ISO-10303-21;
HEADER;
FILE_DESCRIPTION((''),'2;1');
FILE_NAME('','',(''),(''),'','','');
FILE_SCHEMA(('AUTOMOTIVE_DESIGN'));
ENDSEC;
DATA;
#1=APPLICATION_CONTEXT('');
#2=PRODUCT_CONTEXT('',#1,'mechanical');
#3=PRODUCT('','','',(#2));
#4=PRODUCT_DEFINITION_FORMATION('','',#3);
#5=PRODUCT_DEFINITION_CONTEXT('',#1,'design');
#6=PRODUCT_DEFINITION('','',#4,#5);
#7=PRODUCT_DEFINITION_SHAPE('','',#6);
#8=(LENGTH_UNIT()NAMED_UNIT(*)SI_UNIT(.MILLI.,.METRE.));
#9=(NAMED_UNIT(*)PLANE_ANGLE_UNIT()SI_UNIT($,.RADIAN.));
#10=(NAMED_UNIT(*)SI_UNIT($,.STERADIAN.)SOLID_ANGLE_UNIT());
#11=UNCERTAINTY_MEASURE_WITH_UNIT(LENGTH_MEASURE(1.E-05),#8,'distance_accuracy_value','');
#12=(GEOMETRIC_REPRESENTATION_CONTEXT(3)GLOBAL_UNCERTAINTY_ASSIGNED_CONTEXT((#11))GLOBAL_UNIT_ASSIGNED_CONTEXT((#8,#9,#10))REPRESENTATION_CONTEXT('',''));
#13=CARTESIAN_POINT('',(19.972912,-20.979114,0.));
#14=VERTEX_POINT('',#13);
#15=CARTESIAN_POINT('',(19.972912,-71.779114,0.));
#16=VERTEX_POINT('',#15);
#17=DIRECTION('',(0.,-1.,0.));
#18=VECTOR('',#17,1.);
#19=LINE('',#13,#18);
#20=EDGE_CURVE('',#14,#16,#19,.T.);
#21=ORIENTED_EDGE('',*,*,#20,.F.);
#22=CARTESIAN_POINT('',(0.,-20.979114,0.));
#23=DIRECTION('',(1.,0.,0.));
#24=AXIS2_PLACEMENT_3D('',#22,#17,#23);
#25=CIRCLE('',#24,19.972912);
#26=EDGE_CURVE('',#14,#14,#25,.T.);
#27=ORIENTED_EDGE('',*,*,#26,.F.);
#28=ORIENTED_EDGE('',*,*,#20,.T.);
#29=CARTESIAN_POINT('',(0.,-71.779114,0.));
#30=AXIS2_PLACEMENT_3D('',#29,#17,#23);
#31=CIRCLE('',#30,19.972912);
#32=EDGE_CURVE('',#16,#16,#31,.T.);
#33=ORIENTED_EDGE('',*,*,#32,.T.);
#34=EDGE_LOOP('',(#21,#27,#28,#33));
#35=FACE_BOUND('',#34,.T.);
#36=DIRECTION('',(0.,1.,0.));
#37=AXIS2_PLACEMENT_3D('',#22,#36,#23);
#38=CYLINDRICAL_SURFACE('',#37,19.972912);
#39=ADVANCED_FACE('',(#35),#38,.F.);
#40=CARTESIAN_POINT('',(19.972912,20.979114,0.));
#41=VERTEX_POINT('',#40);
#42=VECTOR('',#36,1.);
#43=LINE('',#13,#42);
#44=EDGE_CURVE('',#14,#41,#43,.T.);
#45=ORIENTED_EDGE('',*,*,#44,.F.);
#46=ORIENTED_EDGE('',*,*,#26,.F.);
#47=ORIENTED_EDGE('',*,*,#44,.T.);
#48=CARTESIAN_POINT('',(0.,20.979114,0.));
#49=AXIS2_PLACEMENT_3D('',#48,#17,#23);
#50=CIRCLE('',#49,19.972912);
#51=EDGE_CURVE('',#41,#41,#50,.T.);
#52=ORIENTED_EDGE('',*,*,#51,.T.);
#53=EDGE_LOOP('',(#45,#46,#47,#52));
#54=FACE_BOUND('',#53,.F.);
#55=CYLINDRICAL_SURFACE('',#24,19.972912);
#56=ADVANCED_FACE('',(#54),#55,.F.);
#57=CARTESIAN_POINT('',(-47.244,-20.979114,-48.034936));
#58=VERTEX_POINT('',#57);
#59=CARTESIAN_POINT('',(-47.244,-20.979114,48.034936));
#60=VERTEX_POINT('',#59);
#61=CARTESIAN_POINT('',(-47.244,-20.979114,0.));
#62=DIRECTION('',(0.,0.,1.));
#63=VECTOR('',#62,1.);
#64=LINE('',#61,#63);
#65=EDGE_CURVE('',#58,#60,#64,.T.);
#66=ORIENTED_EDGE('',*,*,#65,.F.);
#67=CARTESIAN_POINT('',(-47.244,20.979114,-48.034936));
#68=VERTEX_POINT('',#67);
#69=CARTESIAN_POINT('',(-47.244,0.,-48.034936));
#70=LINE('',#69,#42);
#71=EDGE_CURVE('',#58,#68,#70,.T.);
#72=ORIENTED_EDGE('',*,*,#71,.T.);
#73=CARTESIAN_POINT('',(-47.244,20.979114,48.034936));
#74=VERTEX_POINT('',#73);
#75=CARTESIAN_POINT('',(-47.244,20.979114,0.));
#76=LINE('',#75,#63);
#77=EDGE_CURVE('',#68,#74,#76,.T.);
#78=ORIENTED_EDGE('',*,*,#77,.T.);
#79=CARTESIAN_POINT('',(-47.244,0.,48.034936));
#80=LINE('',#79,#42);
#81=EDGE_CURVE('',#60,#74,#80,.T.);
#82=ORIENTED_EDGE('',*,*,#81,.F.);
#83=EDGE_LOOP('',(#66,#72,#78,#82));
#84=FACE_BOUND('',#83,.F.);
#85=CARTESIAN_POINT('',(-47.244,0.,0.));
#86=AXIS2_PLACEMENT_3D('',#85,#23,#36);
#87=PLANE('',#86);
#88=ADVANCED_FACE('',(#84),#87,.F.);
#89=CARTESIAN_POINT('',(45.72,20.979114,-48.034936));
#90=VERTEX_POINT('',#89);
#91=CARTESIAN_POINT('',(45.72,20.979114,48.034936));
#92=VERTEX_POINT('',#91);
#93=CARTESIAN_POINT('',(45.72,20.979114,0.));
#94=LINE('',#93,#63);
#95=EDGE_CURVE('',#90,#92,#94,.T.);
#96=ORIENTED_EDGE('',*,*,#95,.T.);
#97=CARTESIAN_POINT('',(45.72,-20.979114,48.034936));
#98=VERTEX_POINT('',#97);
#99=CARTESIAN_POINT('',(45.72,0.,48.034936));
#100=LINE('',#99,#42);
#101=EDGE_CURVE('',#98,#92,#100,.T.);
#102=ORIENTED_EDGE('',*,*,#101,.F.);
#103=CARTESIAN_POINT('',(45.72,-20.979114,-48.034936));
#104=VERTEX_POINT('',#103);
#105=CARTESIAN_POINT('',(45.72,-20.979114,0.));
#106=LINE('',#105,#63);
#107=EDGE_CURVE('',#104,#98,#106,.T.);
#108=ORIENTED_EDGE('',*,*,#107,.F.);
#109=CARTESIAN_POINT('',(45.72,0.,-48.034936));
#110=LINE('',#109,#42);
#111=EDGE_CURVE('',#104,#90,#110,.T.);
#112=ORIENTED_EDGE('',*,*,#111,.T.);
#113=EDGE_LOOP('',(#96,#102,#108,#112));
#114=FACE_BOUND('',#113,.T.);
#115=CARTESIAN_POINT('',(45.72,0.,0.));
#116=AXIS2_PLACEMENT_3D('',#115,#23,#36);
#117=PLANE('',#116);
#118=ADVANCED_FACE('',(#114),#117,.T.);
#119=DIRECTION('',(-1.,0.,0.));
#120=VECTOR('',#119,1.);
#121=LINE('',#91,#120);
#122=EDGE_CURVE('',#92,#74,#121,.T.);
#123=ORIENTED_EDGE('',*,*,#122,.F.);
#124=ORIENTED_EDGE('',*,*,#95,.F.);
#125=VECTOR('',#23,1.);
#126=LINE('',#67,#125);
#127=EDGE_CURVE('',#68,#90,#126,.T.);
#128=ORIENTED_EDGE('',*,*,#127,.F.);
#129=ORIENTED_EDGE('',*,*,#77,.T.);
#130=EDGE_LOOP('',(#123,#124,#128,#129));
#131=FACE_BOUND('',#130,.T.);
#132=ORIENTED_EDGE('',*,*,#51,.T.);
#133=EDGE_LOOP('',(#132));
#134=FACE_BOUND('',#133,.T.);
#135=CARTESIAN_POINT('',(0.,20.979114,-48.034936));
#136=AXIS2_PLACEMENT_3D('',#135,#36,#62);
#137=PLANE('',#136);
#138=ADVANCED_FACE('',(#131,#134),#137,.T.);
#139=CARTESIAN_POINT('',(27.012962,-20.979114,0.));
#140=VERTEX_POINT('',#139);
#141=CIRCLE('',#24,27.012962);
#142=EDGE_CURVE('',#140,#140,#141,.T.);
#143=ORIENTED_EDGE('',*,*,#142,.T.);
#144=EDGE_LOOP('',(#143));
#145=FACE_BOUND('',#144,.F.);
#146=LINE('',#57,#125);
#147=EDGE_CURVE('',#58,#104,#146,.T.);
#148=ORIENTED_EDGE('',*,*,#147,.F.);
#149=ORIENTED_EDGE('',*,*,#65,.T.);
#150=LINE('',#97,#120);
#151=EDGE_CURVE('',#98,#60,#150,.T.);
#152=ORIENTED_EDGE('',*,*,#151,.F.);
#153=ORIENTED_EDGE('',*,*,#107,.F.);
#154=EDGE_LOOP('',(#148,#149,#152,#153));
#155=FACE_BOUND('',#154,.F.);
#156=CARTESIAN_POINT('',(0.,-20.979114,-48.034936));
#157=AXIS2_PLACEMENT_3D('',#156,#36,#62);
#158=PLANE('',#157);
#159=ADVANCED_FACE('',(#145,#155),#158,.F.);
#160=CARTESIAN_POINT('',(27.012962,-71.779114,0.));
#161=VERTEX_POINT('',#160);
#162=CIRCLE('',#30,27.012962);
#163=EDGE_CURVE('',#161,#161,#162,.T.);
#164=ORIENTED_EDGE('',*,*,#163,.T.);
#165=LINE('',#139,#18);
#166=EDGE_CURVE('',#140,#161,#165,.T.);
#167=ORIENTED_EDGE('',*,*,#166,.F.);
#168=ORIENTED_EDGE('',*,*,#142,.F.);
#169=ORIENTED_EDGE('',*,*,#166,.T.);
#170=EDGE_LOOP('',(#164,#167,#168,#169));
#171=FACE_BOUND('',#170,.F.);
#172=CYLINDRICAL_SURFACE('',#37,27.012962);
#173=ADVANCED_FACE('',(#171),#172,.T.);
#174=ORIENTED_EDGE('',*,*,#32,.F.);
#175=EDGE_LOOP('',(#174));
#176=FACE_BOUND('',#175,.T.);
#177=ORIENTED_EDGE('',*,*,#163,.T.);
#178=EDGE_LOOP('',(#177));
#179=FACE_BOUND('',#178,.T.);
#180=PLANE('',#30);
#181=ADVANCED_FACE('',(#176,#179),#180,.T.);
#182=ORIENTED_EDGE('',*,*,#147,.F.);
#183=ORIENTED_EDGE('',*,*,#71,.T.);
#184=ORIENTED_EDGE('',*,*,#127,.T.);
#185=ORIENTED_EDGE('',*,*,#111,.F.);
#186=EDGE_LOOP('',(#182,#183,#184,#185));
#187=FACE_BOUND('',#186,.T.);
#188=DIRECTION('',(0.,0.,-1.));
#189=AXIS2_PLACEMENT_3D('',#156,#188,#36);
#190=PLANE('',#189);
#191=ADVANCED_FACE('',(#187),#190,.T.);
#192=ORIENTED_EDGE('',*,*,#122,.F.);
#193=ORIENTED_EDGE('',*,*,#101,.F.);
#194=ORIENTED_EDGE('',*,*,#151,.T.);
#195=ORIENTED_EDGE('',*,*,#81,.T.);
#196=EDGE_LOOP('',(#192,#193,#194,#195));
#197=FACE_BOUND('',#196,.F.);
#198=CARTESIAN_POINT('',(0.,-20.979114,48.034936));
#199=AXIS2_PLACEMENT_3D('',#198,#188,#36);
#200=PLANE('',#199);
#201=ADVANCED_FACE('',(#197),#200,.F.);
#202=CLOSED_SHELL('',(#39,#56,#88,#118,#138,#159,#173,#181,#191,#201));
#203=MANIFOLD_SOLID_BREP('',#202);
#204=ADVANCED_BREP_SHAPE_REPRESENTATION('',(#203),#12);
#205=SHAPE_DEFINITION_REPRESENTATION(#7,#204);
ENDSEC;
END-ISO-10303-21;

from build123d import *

# Parameters (mm, degrees)
F0_W     = 41.9582277536
F0_H     = 96.0698723793
F1_DEPTH = 45.72
F2_DEPTH = 47.244
F3_R     = 27.0129618135
F3_R_2   = 19.972912416
F4_DEPTH = 50.8
F5_DEPTH = 76.708


with BuildPart() as f1:
    # F0 (on Right) → F1 (new body)
    with BuildSketch(Plane.YZ):
        Rectangle(F0_W, F0_H)
    extrude(amount=F1_DEPTH)

    # F2 (add): a face of the model
    f2_faces = [f1.faces().sort_by_distance(p)[0] for p in [
        (0, 0, 0),
    ]]
    extrude(f2_faces, amount=F2_DEPTH)

    # F3 (on face) → F4 (join)
    with BuildSketch(Plane.XZ.offset(20.9791138768)):
        Circle(F3_R)
        Circle(F3_R_2, mode=Mode.SUBTRACT)
    extrude(amount=F4_DEPTH)

    # F5 (cut): a face of the model
    f5_faces = [f1.faces().sort_by_distance(p)[0] for p in [
        (0, -20.9791138768, 0),
    ]]
    extrude(f5_faces, amount=-F5_DEPTH, mode=Mode.SUBTRACT)


solid = f1.part
